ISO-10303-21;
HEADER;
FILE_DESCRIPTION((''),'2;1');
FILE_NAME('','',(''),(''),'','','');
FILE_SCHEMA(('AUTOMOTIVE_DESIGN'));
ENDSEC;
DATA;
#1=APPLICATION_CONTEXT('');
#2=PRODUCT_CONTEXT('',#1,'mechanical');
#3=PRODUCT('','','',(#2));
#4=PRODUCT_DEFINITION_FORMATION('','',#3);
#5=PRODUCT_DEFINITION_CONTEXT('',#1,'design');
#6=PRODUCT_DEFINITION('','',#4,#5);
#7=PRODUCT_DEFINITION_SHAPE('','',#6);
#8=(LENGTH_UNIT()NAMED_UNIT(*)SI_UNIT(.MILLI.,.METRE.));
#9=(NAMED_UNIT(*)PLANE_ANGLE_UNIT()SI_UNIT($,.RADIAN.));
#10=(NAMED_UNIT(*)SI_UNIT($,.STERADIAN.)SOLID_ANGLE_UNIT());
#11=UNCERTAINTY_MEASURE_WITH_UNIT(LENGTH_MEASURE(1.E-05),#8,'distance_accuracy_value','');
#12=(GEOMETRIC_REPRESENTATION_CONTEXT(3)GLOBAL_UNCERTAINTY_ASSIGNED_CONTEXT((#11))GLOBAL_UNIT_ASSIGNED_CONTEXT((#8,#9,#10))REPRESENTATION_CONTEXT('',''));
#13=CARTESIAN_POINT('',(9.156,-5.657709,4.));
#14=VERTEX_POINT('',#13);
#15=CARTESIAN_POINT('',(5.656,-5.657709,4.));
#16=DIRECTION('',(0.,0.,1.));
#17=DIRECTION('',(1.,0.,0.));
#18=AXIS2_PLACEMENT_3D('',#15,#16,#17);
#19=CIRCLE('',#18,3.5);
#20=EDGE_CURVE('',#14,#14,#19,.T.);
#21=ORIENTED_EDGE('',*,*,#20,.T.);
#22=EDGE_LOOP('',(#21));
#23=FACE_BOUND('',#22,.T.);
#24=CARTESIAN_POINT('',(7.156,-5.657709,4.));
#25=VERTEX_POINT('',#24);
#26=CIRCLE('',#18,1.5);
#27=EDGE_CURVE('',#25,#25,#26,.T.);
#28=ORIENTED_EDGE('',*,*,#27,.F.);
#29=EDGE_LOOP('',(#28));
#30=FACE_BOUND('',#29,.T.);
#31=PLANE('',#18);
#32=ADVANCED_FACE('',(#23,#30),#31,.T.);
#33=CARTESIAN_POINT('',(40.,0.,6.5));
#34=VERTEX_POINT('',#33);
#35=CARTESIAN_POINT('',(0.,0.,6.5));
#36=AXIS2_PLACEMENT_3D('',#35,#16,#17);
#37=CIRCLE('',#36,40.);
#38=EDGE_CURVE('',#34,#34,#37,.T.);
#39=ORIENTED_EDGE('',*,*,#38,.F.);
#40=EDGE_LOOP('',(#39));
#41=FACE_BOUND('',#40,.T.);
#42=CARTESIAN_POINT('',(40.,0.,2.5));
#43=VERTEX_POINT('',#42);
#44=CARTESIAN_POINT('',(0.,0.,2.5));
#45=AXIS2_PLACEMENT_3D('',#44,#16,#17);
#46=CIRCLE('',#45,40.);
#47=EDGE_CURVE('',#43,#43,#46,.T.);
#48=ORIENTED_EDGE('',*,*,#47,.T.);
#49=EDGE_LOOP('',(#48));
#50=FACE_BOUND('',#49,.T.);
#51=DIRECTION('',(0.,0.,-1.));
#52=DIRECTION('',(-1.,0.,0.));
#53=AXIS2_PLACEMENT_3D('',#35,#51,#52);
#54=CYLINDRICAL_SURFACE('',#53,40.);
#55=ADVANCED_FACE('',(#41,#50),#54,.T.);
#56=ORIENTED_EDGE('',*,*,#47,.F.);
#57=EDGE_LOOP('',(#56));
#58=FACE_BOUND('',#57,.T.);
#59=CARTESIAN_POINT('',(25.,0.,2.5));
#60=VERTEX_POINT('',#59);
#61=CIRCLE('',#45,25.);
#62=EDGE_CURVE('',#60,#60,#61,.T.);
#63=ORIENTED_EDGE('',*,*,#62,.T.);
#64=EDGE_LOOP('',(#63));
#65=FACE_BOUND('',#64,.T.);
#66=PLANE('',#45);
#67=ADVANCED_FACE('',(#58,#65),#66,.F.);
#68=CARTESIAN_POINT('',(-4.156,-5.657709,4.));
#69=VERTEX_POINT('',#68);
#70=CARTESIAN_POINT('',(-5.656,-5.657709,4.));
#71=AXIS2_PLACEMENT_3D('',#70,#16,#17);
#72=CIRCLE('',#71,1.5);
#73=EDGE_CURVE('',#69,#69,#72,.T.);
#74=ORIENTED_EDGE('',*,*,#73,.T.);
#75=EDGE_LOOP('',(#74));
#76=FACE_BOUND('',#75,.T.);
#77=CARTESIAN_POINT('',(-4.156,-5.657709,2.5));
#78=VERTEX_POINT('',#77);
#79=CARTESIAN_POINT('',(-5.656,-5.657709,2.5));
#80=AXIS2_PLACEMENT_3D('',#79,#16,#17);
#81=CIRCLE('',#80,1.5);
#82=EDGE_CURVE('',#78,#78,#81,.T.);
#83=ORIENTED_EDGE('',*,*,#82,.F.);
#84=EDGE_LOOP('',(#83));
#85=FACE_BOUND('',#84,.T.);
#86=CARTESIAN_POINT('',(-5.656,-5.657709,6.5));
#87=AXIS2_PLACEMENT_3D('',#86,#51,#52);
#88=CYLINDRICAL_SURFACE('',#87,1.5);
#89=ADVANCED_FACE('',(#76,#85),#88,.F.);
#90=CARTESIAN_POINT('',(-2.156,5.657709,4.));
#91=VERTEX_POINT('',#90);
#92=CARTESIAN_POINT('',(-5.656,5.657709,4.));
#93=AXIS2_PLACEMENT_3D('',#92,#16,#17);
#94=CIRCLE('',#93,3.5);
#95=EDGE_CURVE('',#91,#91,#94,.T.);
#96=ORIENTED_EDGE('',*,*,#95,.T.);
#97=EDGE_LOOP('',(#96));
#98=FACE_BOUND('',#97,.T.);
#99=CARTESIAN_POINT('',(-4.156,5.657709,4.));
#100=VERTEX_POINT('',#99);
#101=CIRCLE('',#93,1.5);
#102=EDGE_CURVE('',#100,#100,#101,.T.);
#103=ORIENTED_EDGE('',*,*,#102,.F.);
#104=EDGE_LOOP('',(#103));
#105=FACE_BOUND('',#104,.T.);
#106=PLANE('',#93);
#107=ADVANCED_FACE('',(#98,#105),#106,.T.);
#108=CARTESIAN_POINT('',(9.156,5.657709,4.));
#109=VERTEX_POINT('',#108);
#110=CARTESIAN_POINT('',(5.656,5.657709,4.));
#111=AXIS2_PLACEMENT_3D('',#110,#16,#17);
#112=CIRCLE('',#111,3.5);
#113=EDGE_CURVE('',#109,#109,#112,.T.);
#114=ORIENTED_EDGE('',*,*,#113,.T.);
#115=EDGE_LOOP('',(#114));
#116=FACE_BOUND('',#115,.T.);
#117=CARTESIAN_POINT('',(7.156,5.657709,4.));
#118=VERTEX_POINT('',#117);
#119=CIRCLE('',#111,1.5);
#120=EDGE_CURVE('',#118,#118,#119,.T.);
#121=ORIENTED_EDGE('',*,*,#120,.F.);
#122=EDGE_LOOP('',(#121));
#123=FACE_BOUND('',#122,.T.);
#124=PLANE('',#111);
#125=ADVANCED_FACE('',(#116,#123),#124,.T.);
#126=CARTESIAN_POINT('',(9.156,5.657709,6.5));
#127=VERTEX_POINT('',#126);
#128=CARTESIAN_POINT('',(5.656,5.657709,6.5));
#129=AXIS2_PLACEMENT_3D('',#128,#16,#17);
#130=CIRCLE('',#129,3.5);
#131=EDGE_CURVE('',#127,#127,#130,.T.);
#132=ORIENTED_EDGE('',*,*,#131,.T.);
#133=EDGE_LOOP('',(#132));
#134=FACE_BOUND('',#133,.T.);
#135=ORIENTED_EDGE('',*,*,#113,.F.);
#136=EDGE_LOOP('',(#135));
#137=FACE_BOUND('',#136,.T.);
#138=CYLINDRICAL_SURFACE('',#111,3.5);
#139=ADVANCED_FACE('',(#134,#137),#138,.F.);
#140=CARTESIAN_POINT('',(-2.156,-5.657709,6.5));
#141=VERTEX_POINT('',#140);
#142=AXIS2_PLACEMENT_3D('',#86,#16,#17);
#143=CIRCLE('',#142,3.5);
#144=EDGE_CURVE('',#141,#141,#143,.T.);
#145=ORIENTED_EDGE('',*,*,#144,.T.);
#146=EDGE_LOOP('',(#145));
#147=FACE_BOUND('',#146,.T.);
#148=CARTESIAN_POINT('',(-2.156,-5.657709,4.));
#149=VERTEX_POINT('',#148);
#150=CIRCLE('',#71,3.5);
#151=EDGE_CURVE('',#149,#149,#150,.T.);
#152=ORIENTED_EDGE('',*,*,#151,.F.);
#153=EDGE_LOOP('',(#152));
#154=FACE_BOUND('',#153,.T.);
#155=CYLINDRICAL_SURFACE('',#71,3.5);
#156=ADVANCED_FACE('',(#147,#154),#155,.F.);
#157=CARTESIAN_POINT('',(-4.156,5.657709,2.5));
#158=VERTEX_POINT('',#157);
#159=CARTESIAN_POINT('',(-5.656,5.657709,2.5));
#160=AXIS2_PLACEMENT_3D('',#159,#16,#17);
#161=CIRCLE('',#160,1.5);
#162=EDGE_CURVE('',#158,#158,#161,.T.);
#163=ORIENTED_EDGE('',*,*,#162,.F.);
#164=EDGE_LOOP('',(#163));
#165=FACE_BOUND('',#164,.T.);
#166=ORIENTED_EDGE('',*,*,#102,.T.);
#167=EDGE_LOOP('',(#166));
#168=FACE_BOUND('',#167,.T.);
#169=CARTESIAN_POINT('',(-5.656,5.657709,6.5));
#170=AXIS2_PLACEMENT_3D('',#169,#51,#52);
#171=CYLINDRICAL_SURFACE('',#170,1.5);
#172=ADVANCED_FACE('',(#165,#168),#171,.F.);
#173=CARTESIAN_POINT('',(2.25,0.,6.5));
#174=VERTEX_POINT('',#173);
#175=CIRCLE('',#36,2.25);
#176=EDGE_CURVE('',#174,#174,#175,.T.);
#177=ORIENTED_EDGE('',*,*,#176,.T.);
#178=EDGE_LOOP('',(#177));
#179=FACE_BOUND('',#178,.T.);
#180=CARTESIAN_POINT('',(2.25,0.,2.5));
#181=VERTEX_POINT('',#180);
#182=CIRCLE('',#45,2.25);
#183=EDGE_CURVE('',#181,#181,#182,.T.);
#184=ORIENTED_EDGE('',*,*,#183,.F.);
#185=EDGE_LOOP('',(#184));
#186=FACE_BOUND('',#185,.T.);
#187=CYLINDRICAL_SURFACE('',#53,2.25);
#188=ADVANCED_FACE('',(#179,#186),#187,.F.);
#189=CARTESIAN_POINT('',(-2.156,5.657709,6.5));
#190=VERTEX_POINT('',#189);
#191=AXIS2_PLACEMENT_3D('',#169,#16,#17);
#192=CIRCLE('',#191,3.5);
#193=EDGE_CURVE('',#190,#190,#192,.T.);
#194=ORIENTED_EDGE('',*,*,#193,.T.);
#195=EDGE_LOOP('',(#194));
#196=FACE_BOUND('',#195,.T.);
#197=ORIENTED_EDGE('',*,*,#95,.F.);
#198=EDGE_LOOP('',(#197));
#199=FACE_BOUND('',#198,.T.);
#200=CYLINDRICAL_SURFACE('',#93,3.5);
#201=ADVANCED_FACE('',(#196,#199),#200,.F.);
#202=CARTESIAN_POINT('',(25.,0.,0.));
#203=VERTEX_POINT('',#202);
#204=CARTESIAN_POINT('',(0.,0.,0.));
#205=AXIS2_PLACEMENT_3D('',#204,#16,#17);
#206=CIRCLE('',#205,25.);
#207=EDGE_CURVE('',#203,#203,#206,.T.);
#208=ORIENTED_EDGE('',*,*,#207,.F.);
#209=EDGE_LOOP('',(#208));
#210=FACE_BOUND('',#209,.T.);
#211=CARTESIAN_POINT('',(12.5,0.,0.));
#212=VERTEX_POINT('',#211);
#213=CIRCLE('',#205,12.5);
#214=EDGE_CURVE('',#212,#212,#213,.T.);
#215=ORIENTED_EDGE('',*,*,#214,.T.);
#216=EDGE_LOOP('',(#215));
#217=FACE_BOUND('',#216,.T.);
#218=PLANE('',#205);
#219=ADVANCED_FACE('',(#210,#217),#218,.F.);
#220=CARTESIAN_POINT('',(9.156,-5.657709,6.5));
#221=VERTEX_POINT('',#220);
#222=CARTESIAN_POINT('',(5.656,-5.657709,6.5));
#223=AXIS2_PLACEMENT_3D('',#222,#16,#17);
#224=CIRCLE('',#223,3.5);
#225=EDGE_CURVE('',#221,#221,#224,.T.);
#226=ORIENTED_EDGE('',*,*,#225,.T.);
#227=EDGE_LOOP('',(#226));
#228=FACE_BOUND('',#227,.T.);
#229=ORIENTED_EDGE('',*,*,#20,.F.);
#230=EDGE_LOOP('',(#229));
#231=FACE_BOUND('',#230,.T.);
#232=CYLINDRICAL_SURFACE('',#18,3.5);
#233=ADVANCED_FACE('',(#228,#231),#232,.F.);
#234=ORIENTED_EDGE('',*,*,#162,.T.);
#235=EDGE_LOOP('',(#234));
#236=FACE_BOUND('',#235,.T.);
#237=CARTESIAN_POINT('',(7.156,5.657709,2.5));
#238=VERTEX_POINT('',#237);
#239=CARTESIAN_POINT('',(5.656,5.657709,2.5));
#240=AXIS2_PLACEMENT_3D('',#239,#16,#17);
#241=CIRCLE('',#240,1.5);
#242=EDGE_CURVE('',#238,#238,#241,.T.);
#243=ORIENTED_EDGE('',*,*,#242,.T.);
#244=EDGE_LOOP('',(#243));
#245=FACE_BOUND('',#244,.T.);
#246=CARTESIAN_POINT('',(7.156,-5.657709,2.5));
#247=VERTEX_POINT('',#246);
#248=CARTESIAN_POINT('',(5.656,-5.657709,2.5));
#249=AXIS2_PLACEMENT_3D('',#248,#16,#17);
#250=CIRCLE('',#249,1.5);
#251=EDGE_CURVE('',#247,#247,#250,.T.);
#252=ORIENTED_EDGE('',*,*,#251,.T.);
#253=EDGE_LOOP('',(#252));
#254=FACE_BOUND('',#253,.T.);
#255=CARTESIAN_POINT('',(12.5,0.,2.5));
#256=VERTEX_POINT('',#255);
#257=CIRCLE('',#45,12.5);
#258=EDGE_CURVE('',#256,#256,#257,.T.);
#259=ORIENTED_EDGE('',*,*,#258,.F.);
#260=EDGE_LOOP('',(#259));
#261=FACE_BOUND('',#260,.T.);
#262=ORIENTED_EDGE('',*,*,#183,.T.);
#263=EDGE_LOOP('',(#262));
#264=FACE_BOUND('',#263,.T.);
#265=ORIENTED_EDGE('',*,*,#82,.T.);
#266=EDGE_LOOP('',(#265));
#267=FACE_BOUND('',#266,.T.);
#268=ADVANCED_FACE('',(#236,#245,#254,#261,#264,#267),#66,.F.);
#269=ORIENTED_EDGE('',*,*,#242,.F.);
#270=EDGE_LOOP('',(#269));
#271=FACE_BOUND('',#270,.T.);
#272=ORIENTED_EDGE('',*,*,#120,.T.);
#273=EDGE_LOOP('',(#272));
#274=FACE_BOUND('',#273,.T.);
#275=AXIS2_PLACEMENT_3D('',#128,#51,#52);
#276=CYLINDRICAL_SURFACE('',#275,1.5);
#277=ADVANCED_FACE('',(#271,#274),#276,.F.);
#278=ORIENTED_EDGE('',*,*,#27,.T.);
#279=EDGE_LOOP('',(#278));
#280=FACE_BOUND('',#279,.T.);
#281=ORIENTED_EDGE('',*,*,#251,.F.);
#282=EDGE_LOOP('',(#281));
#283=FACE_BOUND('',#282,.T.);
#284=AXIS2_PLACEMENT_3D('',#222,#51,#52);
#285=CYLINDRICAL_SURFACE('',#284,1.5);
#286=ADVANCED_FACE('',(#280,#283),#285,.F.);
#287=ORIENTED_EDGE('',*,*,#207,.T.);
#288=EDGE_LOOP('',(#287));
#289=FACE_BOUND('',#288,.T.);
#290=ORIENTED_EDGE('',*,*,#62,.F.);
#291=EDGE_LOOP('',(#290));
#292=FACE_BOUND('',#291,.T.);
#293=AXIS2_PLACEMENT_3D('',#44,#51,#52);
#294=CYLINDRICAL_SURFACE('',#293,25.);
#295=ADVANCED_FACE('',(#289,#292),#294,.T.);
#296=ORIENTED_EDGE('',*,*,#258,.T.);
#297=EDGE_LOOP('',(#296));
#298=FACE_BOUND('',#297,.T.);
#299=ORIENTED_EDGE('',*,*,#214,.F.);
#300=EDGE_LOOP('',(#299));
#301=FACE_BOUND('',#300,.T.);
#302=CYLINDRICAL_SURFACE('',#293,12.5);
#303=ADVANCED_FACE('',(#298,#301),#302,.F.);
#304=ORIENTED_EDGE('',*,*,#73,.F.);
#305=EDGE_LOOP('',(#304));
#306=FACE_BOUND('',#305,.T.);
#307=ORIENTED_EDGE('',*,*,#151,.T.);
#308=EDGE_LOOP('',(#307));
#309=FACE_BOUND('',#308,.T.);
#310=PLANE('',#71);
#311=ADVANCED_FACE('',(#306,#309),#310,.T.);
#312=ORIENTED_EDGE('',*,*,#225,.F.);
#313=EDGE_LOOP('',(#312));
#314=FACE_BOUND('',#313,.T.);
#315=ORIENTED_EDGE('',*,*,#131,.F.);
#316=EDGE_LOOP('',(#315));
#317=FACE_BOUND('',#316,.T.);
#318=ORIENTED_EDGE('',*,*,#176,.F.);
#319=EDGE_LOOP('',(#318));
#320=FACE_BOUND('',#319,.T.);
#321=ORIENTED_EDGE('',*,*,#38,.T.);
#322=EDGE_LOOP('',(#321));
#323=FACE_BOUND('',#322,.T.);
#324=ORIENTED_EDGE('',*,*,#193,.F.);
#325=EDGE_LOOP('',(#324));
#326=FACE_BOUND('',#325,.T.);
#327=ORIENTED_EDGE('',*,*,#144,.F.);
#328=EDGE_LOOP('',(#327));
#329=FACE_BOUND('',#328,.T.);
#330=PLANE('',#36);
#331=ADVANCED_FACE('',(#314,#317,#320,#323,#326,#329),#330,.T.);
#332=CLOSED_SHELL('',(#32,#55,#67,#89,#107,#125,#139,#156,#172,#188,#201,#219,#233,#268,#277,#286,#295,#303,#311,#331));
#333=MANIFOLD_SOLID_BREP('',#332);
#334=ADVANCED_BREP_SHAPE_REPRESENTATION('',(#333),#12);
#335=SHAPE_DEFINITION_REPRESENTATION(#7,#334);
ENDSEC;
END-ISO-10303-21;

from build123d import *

# Parameters (mm, degrees)
SKETCH1_R           = 25
SKETCH1_R_2         = 12.5
BOSS_EXTRUDE1_DEPTH = 2.5
SKETCH2_R           = 40
SKETCH2_R_2         = 2.25
SKETCH2_R_3         = 1.5
BOSS_EXTRUDE2_DEPTH = 4
SKETCH3_R           = 3.5
CUT_EXTRUDE1_DEPTH  = 2.5


with BuildPart() as part:
    # Sketch1 → Boss-Extrude1 (new body)
    with BuildSketch(Plane.XY):
        Circle(SKETCH1_R)
        Circle(SKETCH1_R_2, mode=Mode.SUBTRACT)
    extrude(amount=BOSS_EXTRUDE1_DEPTH)

    # Sketch2 → Boss-Extrude2 (add)
    with BuildSketch(Plane.XY.offset(2.5)):
        Circle(SKETCH2_R)
        Circle(SKETCH2_R_2, mode=Mode.SUBTRACT)
        with Locations((-5.655999742, 5.657708628)):
            Circle(SKETCH2_R_3, mode=Mode.SUBTRACT)
        with Locations((-5.655999742, -5.657708628)):
            Circle(SKETCH2_R_3, mode=Mode.SUBTRACT)
        with Locations((5.655999742, -5.657708628)):
            Circle(SKETCH2_R_3, mode=Mode.SUBTRACT)
        with Locations((5.655999742, 5.657708628)):
            Circle(SKETCH2_R_3, mode=Mode.SUBTRACT)
    extrude(amount=BOSS_EXTRUDE2_DEPTH)

    # Sketch3 → Cut-Extrude1 (cut)
    with BuildSketch(Plane.XY.offset(6.5)):
        with Locations((-5.655999742, 5.657708628)):
            Circle(SKETCH3_R)
        with Locations((5.655999742, 5.657708628)):
            Circle(SKETCH3_R)
        with Locations((5.655999742, -5.657708628)):
            Circle(SKETCH3_R)
        with Locations((-5.655999742, -5.657708628)):
            Circle(SKETCH3_R)
    extrude(amount=-CUT_EXTRUDE1_DEPTH, mode=Mode.SUBTRACT)


solid = part.part
